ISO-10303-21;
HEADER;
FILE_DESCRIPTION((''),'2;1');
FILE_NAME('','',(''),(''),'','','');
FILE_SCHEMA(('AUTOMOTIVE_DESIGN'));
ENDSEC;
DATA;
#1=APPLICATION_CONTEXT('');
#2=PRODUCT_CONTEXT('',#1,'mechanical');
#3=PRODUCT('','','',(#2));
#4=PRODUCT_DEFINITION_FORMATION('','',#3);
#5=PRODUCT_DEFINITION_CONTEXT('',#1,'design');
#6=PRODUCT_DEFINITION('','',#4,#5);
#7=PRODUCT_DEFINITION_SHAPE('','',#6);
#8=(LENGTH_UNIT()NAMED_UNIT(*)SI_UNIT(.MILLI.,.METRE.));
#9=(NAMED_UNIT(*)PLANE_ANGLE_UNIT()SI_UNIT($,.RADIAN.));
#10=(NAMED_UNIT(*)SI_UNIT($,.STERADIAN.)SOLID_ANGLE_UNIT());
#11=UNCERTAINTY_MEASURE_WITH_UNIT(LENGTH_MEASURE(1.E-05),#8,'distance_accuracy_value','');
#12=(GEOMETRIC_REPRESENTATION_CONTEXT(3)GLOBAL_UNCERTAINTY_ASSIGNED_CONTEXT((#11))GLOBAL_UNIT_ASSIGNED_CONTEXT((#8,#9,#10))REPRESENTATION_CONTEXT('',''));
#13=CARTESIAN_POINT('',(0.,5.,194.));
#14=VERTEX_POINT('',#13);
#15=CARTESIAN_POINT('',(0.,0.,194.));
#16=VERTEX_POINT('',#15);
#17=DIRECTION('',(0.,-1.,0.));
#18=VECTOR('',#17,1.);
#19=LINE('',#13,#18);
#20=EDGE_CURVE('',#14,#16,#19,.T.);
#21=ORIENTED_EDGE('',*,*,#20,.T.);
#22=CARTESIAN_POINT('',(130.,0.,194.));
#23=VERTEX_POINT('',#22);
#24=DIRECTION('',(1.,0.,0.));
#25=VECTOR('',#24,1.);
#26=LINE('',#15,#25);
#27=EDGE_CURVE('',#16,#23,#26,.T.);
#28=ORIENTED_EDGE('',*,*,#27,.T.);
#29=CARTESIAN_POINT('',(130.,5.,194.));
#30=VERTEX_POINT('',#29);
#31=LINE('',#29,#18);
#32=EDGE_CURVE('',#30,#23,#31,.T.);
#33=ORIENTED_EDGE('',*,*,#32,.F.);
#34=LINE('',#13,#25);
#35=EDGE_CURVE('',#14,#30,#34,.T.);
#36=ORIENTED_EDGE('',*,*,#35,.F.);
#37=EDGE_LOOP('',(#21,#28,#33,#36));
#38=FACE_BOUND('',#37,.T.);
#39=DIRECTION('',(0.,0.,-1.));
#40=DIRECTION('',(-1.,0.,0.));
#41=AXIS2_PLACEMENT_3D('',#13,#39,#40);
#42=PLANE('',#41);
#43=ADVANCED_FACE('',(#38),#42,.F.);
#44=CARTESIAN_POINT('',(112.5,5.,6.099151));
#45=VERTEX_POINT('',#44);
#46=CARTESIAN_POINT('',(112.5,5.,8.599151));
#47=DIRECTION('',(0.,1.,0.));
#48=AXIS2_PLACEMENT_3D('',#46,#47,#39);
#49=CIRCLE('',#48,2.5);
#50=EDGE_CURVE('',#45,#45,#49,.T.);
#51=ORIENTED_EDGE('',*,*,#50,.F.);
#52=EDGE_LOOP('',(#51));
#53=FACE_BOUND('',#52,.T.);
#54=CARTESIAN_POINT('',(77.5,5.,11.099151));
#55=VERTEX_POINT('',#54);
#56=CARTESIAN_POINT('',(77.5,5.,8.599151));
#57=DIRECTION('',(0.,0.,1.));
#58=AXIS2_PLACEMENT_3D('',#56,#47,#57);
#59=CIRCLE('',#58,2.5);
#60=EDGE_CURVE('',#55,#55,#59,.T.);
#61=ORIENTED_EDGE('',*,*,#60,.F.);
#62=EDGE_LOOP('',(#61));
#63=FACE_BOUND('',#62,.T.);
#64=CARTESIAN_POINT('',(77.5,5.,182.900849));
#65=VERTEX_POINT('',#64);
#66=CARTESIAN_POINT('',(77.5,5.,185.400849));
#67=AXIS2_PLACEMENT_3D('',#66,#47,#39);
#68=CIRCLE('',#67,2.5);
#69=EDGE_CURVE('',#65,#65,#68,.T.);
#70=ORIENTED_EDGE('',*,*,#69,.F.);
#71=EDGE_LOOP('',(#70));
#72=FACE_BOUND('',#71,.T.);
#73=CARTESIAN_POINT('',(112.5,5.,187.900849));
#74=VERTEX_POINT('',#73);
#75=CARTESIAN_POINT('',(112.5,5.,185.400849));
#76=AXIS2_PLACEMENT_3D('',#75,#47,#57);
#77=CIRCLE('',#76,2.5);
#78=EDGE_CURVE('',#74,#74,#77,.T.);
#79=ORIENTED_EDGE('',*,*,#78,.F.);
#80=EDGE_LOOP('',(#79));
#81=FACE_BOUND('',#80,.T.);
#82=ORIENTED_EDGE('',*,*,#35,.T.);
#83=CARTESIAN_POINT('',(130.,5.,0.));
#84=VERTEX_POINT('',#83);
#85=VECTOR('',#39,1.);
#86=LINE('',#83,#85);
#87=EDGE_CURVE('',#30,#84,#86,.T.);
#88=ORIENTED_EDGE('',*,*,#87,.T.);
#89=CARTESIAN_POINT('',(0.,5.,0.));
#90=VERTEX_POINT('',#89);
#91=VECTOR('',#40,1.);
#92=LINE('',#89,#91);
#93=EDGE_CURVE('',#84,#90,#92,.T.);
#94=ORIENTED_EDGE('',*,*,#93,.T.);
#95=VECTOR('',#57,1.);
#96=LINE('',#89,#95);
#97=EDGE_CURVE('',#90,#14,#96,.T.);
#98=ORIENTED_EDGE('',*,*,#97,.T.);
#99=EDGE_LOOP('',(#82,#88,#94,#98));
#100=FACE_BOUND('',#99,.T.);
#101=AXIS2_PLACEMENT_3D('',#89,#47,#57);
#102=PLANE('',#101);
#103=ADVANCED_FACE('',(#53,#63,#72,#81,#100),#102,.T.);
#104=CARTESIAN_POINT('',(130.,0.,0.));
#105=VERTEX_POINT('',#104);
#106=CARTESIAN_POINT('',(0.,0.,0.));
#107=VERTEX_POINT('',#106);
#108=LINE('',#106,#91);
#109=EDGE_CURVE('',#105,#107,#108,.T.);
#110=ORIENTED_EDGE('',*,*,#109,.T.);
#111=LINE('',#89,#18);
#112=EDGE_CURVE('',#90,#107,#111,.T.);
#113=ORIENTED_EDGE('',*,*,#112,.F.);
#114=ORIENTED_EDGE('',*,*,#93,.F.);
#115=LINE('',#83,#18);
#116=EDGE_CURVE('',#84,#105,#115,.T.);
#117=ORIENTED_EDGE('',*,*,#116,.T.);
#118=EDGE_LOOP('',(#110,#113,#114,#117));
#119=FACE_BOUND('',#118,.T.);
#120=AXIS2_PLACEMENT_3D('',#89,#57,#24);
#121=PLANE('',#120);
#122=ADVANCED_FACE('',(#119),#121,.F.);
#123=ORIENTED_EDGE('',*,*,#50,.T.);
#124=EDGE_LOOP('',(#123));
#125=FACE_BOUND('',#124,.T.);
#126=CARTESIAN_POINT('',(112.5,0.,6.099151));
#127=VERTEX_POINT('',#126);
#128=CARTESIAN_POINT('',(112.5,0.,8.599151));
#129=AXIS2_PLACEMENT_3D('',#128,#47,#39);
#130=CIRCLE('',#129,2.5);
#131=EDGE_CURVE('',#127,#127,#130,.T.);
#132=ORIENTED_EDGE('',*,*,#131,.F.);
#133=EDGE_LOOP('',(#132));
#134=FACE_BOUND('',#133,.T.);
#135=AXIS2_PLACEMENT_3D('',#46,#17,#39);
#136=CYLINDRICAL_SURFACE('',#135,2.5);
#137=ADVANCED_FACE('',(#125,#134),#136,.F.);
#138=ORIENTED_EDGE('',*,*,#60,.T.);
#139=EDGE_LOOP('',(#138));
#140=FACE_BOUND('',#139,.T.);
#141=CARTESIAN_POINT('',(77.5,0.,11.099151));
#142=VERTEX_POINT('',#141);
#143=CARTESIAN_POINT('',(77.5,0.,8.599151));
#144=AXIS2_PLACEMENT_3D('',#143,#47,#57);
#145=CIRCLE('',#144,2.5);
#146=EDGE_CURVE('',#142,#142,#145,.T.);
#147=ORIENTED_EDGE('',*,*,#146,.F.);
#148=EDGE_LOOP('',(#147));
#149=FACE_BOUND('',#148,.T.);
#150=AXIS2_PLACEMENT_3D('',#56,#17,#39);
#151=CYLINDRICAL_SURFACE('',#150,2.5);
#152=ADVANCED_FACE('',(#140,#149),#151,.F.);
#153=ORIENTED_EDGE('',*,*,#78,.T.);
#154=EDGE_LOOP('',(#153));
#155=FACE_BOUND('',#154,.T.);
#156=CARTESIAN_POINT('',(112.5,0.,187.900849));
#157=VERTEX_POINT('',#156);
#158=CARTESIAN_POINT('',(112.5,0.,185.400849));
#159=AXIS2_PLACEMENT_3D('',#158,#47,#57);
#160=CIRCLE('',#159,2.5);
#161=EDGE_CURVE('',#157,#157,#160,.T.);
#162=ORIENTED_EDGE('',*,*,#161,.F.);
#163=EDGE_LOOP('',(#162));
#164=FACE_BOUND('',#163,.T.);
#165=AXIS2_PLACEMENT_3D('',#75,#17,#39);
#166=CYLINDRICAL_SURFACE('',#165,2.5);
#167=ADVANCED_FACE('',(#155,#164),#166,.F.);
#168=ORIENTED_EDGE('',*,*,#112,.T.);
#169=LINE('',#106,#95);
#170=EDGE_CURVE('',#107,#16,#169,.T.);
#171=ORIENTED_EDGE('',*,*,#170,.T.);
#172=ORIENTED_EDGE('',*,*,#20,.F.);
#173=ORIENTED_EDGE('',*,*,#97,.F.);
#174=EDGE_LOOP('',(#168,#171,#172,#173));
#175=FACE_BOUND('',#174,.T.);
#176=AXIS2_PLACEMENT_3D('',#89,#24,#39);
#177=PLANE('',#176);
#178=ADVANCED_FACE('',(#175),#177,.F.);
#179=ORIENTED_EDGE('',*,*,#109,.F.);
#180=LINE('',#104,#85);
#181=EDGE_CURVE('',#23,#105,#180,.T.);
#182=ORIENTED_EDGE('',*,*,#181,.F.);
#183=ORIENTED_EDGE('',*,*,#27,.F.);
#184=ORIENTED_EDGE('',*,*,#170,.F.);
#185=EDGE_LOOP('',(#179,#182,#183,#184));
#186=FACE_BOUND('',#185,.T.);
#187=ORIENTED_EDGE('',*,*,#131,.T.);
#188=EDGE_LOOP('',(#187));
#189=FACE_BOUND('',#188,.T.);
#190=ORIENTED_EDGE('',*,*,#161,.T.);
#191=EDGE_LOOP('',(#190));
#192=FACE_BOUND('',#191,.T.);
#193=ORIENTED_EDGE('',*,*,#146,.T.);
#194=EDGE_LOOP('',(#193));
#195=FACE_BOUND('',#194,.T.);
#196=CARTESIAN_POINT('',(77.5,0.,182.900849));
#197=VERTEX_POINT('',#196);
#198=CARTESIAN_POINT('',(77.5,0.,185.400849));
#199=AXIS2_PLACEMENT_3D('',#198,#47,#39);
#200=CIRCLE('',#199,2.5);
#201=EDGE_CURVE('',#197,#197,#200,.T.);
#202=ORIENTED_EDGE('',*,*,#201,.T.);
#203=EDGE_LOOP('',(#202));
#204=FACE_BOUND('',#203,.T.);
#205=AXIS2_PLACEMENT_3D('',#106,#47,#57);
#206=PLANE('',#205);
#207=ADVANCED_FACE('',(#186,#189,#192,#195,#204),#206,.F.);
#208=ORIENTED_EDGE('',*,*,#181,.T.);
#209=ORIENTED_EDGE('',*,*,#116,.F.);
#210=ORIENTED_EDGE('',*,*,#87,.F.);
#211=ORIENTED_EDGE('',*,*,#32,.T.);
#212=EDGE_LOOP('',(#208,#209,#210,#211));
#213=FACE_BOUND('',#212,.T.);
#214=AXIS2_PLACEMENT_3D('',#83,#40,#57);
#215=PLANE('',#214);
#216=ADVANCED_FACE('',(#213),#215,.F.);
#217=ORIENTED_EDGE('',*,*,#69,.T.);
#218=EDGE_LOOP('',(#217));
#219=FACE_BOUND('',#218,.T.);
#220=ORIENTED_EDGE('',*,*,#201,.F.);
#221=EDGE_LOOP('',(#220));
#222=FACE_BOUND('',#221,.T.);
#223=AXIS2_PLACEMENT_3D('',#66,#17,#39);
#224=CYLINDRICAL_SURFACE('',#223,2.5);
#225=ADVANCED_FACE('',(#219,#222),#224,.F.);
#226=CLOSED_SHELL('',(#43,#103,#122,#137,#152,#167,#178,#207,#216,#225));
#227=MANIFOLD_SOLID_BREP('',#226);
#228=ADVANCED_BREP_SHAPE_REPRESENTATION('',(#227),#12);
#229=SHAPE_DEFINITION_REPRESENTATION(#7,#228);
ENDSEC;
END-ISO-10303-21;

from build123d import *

# Parameters (mm, degrees)
SKETCH1_W           = 130
SKETCH1_H           = 194
SKETCH1_R           = 2.5
BOSS_EXTRUDE1_DEPTH = 5


with BuildPart() as part:
    # Sketch1 → Boss-Extrude1 (new body)
    with BuildSketch(Plane(origin=(0, 0, 0), x_dir=(1, 0, 0), z_dir=(0, 1, 0))):
        with Locations((65, -97)):
            Rectangle(SKETCH1_W, SKETCH1_H)
        with Locations(Location((77.5, -8.599150544, 0), (0, 0, 270))):
            Circle(SKETCH1_R, mode=Mode.SUBTRACT)
        with Locations(Location((112.5, -8.599150544, 0), (0, 0, 90))):
            Circle(SKETCH1_R, mode=Mode.SUBTRACT)
        with Locations(Location((112.5, -185.400849456, 0), (0, 0, 270))):
            Circle(SKETCH1_R, mode=Mode.SUBTRACT)
        with Locations(Location((77.5, -185.400849456, 0), (0, 0, 90))):
            Circle(SKETCH1_R, mode=Mode.SUBTRACT)
    extrude(amount=BOSS_EXTRUDE1_DEPTH)


solid = part.part
